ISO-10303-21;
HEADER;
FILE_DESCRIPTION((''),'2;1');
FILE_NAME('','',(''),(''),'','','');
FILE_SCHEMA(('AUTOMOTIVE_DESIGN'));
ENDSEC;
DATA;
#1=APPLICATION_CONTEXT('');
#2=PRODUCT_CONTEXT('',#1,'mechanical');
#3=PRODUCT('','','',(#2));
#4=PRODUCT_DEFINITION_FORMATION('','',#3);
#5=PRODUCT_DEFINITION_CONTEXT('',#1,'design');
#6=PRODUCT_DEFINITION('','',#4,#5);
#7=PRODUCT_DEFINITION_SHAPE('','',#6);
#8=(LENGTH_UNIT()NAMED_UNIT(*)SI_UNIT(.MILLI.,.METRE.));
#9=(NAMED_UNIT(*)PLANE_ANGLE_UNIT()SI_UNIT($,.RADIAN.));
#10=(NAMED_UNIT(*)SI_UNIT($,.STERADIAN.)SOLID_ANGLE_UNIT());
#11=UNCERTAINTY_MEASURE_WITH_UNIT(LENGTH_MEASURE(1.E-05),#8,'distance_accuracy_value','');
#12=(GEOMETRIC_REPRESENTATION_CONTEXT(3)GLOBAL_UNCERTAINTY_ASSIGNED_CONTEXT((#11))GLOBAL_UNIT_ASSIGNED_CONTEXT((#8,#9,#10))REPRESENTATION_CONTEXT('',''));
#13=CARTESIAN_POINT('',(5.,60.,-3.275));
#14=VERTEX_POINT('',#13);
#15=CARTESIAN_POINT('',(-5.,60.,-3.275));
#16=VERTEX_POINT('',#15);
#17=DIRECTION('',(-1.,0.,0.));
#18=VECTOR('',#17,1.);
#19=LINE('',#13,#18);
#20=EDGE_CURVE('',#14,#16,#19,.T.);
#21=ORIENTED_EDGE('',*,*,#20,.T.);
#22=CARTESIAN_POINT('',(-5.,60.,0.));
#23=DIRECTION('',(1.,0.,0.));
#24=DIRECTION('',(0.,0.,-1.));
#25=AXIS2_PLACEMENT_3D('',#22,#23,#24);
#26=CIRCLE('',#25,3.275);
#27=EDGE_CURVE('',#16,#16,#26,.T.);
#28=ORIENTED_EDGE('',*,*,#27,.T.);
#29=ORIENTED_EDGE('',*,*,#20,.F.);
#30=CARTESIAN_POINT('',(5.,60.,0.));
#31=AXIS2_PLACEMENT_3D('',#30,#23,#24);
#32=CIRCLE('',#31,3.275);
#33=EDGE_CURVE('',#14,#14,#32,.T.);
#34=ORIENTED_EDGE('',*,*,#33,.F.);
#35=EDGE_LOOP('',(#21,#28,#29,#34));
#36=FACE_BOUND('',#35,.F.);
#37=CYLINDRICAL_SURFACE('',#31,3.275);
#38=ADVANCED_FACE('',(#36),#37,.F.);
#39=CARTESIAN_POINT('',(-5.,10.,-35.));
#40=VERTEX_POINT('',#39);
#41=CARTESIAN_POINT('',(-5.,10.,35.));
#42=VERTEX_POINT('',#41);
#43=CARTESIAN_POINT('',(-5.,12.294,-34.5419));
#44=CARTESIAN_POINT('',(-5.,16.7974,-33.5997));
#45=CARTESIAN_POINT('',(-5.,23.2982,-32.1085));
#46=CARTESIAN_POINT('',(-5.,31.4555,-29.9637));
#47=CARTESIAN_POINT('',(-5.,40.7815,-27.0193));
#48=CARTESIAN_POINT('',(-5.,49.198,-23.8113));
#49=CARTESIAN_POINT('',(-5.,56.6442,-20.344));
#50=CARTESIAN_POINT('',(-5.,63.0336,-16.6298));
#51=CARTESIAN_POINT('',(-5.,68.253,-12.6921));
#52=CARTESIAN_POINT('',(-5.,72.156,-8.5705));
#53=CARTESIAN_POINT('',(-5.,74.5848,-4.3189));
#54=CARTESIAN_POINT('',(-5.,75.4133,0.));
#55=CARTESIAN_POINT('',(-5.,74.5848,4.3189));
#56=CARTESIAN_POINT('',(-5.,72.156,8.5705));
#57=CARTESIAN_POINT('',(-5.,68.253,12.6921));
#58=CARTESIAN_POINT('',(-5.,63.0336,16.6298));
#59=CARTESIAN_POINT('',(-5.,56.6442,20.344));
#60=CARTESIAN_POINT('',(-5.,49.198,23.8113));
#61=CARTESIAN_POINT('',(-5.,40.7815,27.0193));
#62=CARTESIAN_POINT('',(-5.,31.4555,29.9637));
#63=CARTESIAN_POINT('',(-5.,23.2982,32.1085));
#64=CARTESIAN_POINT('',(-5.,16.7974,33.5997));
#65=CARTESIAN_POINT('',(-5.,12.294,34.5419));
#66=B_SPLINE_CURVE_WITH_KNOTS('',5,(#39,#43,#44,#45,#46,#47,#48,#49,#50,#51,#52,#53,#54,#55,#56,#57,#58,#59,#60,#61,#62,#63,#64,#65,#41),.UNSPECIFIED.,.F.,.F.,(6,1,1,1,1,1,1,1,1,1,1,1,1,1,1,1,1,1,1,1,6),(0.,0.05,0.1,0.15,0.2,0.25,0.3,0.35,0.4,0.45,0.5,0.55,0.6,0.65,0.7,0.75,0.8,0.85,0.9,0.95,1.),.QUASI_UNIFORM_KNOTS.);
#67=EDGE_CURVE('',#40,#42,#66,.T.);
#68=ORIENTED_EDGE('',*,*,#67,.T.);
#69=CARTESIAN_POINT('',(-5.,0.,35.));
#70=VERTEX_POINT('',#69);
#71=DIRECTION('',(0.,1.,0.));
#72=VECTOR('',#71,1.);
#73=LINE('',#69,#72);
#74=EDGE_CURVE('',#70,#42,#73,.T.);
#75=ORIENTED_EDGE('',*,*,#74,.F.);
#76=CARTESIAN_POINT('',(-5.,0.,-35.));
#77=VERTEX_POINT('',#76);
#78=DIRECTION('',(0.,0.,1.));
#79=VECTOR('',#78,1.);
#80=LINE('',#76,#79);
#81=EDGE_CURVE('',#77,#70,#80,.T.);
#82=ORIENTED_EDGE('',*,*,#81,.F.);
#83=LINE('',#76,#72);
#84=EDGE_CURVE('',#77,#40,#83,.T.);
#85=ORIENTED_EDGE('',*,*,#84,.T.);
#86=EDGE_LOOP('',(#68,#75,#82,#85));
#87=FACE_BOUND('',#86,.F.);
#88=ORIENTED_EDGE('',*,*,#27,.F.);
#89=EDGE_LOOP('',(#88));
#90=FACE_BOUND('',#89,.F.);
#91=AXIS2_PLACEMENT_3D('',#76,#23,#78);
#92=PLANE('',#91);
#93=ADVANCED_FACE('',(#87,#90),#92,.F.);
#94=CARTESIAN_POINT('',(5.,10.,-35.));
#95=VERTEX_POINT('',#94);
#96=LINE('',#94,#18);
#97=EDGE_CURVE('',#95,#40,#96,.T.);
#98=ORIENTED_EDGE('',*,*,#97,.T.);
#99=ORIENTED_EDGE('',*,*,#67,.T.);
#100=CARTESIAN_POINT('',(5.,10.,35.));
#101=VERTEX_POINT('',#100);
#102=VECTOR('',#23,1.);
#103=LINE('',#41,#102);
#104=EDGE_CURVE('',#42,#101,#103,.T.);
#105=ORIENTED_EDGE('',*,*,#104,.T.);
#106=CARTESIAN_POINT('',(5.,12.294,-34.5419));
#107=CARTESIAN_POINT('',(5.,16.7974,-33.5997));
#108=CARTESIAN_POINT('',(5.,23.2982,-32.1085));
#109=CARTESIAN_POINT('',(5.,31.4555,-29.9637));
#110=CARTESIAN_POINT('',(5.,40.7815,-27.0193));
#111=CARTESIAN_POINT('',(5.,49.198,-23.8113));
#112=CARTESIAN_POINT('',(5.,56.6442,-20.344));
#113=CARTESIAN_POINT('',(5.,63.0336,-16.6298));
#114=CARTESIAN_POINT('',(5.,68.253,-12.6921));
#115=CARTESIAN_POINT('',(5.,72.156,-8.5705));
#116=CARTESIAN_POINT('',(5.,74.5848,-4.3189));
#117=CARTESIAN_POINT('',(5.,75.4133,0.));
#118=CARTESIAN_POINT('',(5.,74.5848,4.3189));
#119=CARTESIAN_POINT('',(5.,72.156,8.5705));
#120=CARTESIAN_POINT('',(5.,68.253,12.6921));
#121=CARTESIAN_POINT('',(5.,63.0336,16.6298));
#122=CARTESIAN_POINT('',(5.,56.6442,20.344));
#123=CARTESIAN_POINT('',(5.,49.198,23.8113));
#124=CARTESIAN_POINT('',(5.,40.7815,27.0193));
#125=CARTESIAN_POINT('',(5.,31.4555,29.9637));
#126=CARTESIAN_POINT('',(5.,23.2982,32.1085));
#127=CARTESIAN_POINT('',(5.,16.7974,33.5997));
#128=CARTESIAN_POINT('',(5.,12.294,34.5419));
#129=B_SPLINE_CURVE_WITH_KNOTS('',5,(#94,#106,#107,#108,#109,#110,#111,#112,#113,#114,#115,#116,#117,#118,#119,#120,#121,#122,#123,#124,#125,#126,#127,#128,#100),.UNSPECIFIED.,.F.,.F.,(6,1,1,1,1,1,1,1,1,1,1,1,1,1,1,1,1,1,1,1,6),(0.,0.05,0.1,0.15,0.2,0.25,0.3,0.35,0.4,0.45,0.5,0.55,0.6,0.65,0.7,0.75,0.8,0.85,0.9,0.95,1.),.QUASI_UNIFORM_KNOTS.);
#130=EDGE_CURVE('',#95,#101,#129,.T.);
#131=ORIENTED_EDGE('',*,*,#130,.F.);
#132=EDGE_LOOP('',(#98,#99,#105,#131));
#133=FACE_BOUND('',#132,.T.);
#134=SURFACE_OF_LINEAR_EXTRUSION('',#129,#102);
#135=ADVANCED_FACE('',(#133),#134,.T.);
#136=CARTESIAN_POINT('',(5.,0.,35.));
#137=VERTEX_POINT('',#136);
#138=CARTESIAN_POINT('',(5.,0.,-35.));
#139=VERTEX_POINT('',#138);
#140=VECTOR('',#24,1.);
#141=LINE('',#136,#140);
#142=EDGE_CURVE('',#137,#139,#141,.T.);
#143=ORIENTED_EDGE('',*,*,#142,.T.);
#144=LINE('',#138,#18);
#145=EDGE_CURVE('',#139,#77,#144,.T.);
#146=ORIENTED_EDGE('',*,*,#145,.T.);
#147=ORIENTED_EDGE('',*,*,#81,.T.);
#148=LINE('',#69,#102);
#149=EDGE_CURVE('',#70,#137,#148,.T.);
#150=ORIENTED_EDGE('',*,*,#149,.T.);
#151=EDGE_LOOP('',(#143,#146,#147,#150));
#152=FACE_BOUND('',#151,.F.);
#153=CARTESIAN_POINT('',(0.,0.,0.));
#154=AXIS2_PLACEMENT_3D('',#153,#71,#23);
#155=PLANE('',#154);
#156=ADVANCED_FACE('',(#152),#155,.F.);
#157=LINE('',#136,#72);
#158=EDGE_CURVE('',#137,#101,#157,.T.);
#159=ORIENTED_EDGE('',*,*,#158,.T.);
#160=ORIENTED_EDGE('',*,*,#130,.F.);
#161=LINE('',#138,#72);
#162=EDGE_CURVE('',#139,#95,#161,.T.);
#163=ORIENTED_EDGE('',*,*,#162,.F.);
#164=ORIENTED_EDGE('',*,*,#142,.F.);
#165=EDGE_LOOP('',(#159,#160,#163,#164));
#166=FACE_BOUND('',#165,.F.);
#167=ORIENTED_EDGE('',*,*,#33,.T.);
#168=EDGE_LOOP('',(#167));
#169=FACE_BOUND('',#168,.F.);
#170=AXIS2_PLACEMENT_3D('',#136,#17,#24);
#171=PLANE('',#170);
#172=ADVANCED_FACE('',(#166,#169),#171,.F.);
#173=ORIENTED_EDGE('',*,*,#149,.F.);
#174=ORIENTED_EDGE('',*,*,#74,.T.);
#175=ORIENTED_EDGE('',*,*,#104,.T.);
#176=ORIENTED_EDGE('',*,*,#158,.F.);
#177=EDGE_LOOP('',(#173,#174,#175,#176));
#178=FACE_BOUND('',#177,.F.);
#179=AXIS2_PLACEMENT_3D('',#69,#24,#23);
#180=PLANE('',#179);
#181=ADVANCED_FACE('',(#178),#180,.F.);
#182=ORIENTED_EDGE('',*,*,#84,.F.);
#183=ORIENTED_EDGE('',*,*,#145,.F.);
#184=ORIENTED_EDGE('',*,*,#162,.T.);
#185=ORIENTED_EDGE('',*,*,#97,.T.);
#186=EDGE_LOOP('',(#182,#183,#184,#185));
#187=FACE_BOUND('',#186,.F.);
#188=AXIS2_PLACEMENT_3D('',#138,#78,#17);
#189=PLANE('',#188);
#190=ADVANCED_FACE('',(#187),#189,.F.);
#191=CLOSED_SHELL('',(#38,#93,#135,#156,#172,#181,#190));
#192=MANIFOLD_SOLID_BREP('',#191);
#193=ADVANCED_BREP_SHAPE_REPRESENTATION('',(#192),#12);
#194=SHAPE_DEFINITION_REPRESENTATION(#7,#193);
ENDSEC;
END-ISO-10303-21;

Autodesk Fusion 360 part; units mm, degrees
sketch "Sketch1" plane through (0, 0, 0) normal (0, 1, 0) x (1, 0, 0)
  line L0 (5, 35) -> (-5, 35)
  line L1 (-5, 35) -> (-5, -35)
  line L2 (-5, -35) -> (5, -35)
  line L3 (5, -35) -> (5, 35)
  line L4 (5, 35) -> (-5, -35) construction
  line L5 (-5, 35) -> (5, -35) construction
  dimension "d1" = 10
  dimension "d2" = 70
extrude "Extrude1" add sketch "Sketch1" along normal blind 10
sketch "Sketch2" plane through (5, 0, 0) normal (1, 0, 0) x (0, 0, -1)
  line L0 (-35, 0) -> (35, 0)
  line L1 (35, 0) -> (35, 10)
  line L2 (35, 10) -> (-35, 10)
  line L3 (-35, 10) -> (-35, 0)
  circle A0 centre (0, 60) radius 3.275
  spline S0 degree 5 poles (35, 10) (34.5419, 12.294) (33.5997, 16.7974) (32.1085, 23.2982) (29.9637, 31.4555) (27.0193, 40.7815) (23.8113, 49.198) (20.344, 56.6442) (16.6298, 63.0336) (12.6921, 68.253) (8.5705, 72.156) (4.3189, 74.5848) (0, 75.4133) (-4.3189, 74.5848) (-8.5705, 72.156) (-12.6921, 68.253) (-16.6298, 63.0336) (-20.344, 56.6442) (-23.8113, 49.198) (-27.0193, 40.7815) (-29.9637, 31.4555) (-32.1085, 23.2982) (-33.5997, 16.7974) (-34.5419, 12.294) (-35, 10) knots 0 0 0 0 0 0 0.05 0.1 0.15 0.2 0.25 0.3 0.35 0.4 0.45 0.5 0.55 0.6 0.65 0.7 0.75 0.8 0.85 0.9 0.95 1 1 1 1 1 1
  point P0 (15, 65)
  point P1 (0, 75)
  point P2 (-15, 65)
  dimension "d8" = 6.55
  dimension "d16" = 50
  dimension "d17" = 35
extrude "Extrude3" add sketch "Sketch2" against normal blind 10 contours L2 S0
